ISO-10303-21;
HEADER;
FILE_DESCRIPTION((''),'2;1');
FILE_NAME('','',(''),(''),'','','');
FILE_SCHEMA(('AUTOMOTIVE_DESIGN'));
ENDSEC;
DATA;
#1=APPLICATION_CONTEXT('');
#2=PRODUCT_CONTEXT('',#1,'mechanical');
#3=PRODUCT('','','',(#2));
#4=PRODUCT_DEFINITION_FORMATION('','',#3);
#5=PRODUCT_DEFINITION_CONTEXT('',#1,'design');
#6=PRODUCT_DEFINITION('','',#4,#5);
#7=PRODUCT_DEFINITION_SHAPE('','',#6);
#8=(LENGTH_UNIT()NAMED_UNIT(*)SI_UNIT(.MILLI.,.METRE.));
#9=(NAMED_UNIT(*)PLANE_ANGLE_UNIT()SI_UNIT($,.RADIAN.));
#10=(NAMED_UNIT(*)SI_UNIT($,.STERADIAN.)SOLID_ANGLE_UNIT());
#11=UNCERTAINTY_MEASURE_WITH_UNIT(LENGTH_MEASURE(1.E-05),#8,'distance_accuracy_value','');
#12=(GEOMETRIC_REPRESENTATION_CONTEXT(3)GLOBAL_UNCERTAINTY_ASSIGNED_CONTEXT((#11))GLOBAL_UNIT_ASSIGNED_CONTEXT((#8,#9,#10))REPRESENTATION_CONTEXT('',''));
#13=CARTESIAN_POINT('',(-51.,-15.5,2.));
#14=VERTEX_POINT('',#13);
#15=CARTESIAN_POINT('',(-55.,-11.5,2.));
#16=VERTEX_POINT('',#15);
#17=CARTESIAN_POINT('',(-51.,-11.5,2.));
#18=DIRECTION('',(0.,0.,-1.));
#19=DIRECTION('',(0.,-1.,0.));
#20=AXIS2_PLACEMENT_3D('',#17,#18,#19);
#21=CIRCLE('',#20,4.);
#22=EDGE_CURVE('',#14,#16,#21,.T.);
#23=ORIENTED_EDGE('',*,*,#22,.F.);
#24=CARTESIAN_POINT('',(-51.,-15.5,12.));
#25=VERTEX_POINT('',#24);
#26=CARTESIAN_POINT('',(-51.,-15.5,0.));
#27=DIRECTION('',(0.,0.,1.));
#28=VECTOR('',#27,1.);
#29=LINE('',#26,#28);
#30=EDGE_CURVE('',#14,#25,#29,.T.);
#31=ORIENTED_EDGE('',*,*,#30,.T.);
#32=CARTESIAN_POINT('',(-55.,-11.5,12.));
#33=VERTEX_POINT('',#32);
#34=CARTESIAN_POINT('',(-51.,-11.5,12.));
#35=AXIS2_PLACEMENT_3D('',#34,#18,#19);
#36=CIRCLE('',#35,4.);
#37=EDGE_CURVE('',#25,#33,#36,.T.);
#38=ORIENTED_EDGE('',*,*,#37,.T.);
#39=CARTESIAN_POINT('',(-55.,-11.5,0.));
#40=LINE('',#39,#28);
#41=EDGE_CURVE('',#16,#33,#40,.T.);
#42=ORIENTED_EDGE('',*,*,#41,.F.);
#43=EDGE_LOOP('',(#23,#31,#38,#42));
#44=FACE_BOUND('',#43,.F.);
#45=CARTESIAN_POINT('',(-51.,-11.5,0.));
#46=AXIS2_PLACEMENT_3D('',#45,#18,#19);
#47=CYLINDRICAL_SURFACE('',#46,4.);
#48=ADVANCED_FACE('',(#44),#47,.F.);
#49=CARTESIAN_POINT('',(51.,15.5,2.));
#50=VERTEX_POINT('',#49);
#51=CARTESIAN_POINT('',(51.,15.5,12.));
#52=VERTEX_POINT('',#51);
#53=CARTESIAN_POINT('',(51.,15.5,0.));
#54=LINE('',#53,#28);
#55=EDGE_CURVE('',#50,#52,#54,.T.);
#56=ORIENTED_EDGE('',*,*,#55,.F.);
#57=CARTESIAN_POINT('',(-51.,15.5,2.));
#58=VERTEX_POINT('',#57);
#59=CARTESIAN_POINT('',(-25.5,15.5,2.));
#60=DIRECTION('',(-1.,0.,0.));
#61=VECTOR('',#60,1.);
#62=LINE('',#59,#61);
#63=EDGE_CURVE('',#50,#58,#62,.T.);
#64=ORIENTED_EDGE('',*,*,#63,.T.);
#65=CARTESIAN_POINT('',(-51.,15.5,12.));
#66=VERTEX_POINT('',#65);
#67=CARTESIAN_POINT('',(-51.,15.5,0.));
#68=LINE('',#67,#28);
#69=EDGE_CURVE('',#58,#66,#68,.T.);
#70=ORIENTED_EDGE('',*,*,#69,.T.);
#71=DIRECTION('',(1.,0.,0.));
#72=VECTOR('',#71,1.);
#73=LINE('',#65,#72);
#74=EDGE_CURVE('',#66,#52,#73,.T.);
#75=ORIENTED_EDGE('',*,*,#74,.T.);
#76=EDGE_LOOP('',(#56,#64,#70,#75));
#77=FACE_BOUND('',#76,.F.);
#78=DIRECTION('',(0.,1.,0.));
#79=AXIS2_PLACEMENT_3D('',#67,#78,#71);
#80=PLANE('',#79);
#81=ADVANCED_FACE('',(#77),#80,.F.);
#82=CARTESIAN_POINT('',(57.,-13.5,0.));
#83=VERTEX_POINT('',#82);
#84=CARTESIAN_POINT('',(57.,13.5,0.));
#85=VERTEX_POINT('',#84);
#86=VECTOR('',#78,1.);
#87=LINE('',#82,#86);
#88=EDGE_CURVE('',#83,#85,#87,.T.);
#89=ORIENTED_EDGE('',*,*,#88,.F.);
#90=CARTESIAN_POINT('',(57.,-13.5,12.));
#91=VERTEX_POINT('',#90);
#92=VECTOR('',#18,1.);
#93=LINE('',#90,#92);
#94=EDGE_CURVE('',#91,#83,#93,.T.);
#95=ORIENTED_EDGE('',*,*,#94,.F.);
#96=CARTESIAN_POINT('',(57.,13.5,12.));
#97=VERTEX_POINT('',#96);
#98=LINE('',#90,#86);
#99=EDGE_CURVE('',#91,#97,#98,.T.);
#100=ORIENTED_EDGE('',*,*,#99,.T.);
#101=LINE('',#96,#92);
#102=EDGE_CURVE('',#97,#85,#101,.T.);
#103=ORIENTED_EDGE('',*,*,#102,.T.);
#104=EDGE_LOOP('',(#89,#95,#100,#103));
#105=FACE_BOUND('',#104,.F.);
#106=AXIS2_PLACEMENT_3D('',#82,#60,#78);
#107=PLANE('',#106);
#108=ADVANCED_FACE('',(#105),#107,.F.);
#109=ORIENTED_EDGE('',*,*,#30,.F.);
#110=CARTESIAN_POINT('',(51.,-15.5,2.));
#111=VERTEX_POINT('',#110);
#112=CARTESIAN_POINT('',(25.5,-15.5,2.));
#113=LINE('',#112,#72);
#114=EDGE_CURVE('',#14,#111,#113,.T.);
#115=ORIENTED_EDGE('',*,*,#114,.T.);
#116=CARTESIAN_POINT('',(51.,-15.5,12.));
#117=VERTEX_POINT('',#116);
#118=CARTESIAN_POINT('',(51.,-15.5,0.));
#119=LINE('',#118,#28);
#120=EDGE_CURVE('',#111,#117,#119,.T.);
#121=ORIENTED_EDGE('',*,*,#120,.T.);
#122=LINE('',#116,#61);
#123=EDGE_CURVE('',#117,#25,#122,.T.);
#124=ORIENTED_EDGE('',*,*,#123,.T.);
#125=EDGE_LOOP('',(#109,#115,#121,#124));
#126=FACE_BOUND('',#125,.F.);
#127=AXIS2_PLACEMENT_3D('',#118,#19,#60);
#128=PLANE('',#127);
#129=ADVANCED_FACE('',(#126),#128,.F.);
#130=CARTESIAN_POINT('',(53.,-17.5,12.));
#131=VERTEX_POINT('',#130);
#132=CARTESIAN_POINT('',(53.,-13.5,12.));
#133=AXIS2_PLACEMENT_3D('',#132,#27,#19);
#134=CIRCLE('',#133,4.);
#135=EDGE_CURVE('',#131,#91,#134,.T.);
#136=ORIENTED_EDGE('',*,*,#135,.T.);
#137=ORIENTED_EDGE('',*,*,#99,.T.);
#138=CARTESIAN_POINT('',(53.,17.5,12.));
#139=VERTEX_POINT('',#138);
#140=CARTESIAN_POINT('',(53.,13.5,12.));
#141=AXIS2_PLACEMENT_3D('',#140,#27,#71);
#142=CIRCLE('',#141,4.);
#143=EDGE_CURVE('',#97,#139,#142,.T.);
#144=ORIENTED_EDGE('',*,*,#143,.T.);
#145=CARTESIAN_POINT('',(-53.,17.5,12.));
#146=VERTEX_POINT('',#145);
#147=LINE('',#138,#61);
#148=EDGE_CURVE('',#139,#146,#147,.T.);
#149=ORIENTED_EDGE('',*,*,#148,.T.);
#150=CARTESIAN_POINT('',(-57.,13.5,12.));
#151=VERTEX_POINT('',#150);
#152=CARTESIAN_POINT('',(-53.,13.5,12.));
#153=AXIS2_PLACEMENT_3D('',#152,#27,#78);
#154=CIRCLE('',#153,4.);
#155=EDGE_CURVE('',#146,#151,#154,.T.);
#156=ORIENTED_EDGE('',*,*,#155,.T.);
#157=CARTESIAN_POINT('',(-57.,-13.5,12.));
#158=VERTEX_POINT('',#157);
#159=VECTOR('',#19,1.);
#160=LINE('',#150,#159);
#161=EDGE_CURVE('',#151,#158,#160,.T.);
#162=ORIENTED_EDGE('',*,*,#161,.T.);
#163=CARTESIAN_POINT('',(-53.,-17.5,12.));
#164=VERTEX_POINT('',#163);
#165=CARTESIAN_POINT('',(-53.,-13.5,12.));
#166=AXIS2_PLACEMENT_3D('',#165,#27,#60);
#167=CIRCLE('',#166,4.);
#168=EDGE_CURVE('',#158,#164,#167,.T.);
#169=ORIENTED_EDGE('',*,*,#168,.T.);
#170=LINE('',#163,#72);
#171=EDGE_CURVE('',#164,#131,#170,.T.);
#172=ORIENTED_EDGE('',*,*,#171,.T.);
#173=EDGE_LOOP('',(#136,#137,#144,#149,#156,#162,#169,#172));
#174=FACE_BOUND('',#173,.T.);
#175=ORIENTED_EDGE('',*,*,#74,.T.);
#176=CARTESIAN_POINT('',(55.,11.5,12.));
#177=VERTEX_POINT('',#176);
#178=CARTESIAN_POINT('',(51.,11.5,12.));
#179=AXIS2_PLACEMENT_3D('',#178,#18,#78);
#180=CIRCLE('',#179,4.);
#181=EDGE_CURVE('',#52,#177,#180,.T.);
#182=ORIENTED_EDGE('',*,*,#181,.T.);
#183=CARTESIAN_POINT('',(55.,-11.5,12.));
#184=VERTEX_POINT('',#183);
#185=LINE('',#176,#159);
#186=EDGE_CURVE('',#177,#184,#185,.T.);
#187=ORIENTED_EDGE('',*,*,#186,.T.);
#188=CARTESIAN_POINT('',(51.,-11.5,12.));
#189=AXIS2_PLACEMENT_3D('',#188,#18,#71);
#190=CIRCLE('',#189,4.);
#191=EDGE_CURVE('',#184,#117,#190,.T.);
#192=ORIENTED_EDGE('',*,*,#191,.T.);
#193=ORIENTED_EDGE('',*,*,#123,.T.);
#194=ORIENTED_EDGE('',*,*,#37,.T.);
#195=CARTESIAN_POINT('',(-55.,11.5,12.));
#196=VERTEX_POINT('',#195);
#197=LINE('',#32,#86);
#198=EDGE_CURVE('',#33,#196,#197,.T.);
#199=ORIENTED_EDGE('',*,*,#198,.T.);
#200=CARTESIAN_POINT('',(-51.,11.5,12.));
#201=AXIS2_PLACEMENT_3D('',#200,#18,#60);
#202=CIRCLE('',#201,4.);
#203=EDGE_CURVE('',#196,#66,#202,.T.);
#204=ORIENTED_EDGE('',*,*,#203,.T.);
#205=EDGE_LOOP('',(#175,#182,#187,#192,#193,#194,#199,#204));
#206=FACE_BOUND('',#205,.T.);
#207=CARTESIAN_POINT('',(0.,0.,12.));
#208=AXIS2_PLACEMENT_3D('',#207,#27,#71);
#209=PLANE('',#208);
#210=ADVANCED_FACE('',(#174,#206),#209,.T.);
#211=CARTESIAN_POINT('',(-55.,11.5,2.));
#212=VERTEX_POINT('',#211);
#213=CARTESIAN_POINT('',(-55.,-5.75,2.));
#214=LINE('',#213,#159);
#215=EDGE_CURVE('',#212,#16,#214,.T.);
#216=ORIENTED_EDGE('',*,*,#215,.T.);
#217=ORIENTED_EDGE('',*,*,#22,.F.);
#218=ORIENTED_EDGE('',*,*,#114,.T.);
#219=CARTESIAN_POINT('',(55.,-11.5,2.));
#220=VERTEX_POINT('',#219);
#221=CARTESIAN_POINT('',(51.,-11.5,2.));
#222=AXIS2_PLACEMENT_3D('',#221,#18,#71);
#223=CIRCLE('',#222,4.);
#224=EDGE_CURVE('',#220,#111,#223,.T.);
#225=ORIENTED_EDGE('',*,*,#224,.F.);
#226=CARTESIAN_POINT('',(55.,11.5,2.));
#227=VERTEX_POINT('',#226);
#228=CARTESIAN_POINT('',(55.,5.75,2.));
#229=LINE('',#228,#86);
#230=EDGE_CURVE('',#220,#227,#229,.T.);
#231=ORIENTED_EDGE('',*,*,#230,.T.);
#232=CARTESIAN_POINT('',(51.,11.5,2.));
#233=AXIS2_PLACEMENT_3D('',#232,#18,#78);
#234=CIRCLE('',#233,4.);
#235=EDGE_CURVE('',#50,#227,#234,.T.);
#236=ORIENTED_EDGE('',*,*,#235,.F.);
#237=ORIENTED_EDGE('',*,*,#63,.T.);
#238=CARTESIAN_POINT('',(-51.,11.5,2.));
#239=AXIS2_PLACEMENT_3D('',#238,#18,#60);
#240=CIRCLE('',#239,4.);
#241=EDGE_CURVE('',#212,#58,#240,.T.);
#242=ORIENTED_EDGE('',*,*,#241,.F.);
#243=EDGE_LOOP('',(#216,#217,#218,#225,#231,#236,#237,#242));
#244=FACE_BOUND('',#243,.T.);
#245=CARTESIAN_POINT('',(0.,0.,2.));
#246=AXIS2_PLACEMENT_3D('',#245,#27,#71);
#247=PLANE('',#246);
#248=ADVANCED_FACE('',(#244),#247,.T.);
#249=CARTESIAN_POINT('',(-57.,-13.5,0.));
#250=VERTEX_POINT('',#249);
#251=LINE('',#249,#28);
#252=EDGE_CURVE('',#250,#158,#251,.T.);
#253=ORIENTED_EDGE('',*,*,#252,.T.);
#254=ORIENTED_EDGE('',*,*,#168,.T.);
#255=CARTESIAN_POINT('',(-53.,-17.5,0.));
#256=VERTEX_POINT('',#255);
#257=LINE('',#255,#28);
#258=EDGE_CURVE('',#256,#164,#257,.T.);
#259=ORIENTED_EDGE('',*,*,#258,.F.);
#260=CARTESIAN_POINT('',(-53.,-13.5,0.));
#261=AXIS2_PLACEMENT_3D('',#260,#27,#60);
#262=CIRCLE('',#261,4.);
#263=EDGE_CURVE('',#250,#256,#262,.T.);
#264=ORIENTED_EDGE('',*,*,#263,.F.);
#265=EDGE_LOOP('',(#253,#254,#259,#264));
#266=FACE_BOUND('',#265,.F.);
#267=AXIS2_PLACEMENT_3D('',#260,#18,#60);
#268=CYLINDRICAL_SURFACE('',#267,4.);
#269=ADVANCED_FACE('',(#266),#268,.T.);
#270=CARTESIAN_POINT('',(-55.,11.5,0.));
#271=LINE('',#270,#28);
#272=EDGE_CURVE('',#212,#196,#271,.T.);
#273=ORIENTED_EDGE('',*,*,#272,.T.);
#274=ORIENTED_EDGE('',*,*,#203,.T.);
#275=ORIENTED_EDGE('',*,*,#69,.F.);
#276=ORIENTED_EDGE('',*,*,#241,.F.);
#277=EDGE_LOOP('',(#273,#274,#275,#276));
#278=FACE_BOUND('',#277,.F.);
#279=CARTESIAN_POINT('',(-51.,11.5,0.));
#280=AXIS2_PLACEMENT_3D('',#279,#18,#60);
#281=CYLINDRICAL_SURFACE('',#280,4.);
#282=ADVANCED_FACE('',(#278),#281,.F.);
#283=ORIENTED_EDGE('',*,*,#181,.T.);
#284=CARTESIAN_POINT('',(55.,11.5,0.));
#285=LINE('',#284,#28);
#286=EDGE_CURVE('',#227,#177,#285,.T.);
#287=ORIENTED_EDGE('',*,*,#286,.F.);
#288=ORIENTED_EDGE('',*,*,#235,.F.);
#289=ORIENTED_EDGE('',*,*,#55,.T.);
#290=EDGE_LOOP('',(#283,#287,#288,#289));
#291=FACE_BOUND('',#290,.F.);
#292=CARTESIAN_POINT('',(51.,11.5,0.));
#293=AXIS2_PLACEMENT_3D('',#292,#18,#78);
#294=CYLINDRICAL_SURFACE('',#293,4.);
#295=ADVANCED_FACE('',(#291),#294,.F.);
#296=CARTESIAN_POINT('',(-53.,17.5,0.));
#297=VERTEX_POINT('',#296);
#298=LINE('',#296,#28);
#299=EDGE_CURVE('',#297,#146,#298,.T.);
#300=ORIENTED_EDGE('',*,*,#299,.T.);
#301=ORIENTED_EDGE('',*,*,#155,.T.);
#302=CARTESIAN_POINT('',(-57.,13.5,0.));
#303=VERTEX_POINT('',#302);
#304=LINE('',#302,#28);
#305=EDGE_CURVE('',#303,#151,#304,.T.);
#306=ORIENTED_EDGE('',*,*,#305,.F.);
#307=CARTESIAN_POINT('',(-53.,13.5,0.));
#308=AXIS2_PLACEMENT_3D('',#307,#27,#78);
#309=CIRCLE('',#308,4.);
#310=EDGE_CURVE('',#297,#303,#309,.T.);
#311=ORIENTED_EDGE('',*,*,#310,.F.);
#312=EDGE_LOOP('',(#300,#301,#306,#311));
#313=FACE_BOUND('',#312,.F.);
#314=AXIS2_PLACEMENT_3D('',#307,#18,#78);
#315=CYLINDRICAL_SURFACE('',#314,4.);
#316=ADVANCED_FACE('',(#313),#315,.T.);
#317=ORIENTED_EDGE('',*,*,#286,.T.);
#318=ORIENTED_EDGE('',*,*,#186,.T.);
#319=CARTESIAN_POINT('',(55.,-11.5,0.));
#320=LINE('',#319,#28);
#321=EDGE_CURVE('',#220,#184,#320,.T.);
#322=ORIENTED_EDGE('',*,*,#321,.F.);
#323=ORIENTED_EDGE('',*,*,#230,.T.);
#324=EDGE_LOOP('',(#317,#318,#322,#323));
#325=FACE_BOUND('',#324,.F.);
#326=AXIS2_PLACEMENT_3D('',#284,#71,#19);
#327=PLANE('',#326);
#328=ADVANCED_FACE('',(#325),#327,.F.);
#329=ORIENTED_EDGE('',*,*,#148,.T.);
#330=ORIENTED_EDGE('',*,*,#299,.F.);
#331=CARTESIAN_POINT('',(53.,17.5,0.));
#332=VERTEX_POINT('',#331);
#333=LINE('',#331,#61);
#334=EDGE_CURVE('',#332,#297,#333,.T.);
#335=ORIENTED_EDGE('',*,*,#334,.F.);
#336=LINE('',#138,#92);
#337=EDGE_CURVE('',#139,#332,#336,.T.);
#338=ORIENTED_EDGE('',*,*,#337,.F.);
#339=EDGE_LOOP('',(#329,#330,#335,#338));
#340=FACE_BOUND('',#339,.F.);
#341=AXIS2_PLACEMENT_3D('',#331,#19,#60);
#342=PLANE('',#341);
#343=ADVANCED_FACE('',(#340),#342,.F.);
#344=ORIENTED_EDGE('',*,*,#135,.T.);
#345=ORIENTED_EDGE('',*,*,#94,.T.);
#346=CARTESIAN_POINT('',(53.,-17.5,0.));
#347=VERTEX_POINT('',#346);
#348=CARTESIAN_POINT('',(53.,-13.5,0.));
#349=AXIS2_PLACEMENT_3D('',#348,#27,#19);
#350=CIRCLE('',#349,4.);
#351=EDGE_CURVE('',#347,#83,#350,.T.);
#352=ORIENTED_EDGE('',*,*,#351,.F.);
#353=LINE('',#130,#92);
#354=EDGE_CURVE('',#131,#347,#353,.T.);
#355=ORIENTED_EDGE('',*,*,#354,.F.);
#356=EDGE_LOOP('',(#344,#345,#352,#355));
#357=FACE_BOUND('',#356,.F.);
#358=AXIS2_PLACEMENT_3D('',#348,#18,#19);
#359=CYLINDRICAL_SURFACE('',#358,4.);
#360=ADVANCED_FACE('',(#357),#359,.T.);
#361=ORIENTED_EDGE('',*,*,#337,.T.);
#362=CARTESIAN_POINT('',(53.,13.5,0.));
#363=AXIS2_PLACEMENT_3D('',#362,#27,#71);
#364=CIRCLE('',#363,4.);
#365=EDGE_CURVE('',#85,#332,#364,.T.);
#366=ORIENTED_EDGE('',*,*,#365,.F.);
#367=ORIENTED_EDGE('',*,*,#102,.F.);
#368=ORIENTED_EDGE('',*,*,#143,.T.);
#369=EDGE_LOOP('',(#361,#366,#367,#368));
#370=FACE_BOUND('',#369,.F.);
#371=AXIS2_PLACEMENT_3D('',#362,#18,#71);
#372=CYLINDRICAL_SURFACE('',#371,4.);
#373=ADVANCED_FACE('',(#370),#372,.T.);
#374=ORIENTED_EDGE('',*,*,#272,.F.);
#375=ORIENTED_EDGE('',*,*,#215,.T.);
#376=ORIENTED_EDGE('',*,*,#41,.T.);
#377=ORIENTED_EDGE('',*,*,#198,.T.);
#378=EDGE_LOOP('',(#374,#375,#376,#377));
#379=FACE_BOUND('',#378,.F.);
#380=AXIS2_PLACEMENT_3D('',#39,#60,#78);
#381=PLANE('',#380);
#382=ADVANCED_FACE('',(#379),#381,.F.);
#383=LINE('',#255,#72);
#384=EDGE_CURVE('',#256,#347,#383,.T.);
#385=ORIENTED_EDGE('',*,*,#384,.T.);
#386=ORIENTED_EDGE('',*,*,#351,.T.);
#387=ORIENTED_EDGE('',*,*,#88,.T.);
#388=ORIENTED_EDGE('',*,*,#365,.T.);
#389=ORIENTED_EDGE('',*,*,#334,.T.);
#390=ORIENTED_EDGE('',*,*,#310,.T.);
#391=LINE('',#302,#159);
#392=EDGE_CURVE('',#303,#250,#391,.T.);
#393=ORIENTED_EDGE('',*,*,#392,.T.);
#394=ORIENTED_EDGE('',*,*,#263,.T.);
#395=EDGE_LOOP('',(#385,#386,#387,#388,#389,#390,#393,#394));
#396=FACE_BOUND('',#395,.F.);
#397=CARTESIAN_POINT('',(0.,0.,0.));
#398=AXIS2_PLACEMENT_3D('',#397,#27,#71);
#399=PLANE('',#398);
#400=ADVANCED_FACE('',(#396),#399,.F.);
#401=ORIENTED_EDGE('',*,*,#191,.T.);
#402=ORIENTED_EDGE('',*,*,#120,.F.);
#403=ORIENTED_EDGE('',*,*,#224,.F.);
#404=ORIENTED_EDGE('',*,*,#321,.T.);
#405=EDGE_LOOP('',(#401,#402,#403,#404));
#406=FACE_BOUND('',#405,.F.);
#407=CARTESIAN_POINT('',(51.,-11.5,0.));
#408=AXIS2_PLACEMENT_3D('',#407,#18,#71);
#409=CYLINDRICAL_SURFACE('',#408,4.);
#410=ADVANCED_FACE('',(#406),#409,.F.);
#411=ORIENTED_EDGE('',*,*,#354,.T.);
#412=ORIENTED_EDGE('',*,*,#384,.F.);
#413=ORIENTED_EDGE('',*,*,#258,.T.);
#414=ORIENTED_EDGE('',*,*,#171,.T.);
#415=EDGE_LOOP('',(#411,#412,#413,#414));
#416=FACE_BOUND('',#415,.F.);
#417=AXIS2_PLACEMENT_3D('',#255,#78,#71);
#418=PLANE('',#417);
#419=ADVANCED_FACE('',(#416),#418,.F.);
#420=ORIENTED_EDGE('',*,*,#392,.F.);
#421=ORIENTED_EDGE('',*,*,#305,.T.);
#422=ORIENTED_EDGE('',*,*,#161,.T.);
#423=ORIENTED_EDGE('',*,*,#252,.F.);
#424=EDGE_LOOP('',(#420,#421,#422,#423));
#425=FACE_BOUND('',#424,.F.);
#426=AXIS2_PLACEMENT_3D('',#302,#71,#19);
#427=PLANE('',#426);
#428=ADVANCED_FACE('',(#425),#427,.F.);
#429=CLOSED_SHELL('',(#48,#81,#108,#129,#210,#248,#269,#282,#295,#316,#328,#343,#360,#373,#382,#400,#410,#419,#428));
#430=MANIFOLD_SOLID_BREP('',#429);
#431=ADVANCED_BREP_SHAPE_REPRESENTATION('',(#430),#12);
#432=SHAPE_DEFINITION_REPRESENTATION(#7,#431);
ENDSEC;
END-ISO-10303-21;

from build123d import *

# Parameters (mm, degrees)
F1_DEPTH = 2
F2_DEPTH = 12


with BuildPart() as f1:
    # F0 (on Top) → F1 (new body)
    with BuildSketch(Plane.XY):
        with BuildLine():
            Line((53, 17.5), (-53, 17.5))
            ThreePointArc((-53, 17.5), (-55.8284271247, 16.3284271247), (-57, 13.5))
            Line((-57, 13.5), (-57, -13.5))
            ThreePointArc((-57, -13.5), (-55.8284271247, -16.3284271247), (-53, -17.5))
            Line((-53, -17.5), (53, -17.5))
            ThreePointArc((53, -17.5), (55.8284271247, -16.3284271247), (57, -13.5))
            Line((57, -13.5), (57, 13.5))
            ThreePointArc((57, 13.5), (55.8284271247, 16.3284271247), (53, 17.5))
        make_face()
        with BuildLine():
            ThreePointArc((-55, 11.5), (-53.8284271247, 14.3284271247), (-51, 15.5))
            Line((-51, 15.5), (51, 15.5))
            ThreePointArc((51, 15.5), (53.8284271247, 14.3284271247), (55, 11.5))
            Line((55, 11.5), (55, -11.5))
            ThreePointArc((55, -11.5), (53.8284271247, -14.3284271247), (51, -15.5))
            Line((51, -15.5), (-51, -15.5))
            ThreePointArc((-51, -15.5), (-53.8284271247, -14.3284271247), (-55, -11.5))
            Line((-55, -11.5), (-55, 11.5))
        make_face(mode=Mode.SUBTRACT)
        with BuildLine():
            Line((51, 15.5), (-51, 15.5))
            ThreePointArc((-51, 15.5), (-53.8284271247, 14.3284271247), (-55, 11.5))
            Line((-55, 11.5), (-55, -11.5))
            ThreePointArc((-55, -11.5), (-53.8284271247, -14.3284271247), (-51, -15.5))
            Line((-51, -15.5), (51, -15.5))
            ThreePointArc((51, -15.5), (53.8284271247, -14.3284271247), (55, -11.5))
            Line((55, -11.5), (55, 11.5))
            ThreePointArc((55, 11.5), (53.8284271247, 14.3284271247), (51, 15.5))
        make_face()
    extrude(amount=F1_DEPTH)

    # F0 (on Top) → F2 (join)
    with BuildSketch(Plane.XY):
        with BuildLine():
            Line((53, 17.5), (-53, 17.5))
            ThreePointArc((-53, 17.5), (-55.8284271247, 16.3284271247), (-57, 13.5))
            Line((-57, 13.5), (-57, -13.5))
            ThreePointArc((-57, -13.5), (-55.8284271247, -16.3284271247), (-53, -17.5))
            Line((-53, -17.5), (53, -17.5))
            ThreePointArc((53, -17.5), (55.8284271247, -16.3284271247), (57, -13.5))
            Line((57, -13.5), (57, 13.5))
            ThreePointArc((57, 13.5), (55.8284271247, 16.3284271247), (53, 17.5))
        make_face()
        with BuildLine():
            ThreePointArc((-55, 11.5), (-53.8284271247, 14.3284271247), (-51, 15.5))
            Line((-51, 15.5), (51, 15.5))
            ThreePointArc((51, 15.5), (53.8284271247, 14.3284271247), (55, 11.5))
            Line((55, 11.5), (55, -11.5))
            ThreePointArc((55, -11.5), (53.8284271247, -14.3284271247), (51, -15.5))
            Line((51, -15.5), (-51, -15.5))
            ThreePointArc((-51, -15.5), (-53.8284271247, -14.3284271247), (-55, -11.5))
            Line((-55, -11.5), (-55, 11.5))
        make_face(mode=Mode.SUBTRACT)
    extrude(amount=F2_DEPTH)


solid = f1.part
